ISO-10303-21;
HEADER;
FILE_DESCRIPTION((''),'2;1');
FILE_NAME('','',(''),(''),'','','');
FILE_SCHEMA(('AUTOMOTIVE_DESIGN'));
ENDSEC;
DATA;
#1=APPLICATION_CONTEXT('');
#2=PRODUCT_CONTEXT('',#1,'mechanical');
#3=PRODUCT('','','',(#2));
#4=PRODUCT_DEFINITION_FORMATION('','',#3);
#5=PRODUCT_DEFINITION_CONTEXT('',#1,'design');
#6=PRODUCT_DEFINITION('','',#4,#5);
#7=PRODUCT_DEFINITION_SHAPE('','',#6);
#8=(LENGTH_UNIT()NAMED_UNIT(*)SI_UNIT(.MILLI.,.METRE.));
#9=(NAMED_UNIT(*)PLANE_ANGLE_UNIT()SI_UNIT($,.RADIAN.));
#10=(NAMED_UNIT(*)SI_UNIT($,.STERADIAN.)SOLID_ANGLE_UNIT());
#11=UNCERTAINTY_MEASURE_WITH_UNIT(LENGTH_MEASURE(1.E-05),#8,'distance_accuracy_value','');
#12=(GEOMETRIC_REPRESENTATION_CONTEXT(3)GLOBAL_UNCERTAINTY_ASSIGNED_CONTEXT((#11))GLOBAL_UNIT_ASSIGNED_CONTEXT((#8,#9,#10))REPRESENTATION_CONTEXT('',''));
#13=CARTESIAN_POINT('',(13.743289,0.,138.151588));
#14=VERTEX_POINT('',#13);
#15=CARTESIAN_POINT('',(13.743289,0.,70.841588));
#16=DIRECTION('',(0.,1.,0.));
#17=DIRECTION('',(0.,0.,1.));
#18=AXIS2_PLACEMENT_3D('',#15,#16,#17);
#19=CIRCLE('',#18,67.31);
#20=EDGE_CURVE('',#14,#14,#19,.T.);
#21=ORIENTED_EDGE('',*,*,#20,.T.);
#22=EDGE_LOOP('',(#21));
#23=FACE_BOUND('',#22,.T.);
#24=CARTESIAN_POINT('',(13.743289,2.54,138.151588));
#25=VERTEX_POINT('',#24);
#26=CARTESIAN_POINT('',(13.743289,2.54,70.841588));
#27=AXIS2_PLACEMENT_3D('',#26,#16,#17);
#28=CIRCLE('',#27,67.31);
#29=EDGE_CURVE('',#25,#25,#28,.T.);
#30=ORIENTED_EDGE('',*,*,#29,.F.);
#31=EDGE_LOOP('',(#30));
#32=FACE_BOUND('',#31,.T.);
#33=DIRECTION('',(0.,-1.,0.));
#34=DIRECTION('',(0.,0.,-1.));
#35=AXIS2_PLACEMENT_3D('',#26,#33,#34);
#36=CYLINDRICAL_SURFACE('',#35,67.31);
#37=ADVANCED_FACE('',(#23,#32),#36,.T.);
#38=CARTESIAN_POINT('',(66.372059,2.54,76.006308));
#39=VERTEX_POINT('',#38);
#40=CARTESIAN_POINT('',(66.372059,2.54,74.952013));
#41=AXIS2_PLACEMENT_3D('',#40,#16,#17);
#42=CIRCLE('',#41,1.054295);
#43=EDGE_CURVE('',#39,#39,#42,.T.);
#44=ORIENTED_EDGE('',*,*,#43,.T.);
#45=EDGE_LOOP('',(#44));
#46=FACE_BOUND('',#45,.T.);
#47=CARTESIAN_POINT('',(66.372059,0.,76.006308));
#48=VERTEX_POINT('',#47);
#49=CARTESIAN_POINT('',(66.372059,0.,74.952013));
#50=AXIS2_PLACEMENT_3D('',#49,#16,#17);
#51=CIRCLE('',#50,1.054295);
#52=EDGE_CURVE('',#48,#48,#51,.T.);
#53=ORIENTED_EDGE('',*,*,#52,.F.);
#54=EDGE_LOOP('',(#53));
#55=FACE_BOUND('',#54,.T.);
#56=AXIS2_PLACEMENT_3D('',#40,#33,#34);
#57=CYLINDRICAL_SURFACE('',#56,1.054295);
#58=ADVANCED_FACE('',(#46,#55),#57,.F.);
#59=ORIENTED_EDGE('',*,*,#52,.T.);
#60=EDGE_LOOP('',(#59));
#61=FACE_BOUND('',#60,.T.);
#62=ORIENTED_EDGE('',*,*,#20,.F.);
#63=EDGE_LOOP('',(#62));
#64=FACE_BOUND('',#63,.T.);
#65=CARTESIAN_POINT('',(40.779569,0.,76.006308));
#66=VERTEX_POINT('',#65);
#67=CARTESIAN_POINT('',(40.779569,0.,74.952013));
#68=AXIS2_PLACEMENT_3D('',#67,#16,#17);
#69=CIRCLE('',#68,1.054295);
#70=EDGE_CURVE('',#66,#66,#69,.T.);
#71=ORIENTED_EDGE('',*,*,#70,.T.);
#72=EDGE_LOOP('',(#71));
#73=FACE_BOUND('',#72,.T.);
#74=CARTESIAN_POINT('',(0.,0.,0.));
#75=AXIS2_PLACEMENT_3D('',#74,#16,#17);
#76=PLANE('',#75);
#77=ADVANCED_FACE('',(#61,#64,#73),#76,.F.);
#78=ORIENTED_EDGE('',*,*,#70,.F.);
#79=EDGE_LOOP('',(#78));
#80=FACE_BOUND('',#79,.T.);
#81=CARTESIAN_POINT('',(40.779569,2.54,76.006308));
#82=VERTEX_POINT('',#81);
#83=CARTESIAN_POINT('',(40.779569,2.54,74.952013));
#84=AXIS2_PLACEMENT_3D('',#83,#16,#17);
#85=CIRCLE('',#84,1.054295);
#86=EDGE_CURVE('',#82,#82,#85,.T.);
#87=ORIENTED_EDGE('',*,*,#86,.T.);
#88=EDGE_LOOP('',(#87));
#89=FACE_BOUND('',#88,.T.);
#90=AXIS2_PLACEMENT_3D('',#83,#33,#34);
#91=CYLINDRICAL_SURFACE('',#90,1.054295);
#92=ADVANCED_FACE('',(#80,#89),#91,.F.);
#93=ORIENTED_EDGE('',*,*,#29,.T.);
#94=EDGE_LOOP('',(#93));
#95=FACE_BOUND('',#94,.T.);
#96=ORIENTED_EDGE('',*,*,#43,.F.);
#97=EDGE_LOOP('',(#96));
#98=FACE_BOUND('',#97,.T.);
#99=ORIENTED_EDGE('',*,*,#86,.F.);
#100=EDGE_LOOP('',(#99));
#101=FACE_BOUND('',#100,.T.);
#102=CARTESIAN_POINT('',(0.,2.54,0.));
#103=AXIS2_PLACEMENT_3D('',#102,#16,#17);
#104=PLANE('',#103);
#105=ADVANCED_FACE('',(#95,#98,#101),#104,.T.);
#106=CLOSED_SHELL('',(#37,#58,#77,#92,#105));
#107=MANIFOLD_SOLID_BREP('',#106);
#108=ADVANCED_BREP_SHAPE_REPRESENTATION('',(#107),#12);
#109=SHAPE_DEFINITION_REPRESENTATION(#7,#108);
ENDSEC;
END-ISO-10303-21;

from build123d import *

# Parameters (mm, degrees)
RECORD_R             = 67.31
RECORD_R_2           = 1.054294776
RECORD_EXTRUDE_DEPTH = 2.54


with BuildPart() as part:
    # Record → Record Extrude (new body)
    with BuildSketch(Plane(origin=(0, 0, 0), x_dir=(1, 0, 0), z_dir=(0, 1, 0))):
        with Locations((13.743289035, -70.841587708)):
            Circle(RECORD_R)
        with Locations((66.372058646, -74.952013208)):
            Circle(RECORD_R_2, mode=Mode.SUBTRACT)
        with Locations((40.779568941, -74.952013208)):
            Circle(RECORD_R_2, mode=Mode.SUBTRACT)
    extrude(amount=RECORD_EXTRUDE_DEPTH)


solid = part.part
